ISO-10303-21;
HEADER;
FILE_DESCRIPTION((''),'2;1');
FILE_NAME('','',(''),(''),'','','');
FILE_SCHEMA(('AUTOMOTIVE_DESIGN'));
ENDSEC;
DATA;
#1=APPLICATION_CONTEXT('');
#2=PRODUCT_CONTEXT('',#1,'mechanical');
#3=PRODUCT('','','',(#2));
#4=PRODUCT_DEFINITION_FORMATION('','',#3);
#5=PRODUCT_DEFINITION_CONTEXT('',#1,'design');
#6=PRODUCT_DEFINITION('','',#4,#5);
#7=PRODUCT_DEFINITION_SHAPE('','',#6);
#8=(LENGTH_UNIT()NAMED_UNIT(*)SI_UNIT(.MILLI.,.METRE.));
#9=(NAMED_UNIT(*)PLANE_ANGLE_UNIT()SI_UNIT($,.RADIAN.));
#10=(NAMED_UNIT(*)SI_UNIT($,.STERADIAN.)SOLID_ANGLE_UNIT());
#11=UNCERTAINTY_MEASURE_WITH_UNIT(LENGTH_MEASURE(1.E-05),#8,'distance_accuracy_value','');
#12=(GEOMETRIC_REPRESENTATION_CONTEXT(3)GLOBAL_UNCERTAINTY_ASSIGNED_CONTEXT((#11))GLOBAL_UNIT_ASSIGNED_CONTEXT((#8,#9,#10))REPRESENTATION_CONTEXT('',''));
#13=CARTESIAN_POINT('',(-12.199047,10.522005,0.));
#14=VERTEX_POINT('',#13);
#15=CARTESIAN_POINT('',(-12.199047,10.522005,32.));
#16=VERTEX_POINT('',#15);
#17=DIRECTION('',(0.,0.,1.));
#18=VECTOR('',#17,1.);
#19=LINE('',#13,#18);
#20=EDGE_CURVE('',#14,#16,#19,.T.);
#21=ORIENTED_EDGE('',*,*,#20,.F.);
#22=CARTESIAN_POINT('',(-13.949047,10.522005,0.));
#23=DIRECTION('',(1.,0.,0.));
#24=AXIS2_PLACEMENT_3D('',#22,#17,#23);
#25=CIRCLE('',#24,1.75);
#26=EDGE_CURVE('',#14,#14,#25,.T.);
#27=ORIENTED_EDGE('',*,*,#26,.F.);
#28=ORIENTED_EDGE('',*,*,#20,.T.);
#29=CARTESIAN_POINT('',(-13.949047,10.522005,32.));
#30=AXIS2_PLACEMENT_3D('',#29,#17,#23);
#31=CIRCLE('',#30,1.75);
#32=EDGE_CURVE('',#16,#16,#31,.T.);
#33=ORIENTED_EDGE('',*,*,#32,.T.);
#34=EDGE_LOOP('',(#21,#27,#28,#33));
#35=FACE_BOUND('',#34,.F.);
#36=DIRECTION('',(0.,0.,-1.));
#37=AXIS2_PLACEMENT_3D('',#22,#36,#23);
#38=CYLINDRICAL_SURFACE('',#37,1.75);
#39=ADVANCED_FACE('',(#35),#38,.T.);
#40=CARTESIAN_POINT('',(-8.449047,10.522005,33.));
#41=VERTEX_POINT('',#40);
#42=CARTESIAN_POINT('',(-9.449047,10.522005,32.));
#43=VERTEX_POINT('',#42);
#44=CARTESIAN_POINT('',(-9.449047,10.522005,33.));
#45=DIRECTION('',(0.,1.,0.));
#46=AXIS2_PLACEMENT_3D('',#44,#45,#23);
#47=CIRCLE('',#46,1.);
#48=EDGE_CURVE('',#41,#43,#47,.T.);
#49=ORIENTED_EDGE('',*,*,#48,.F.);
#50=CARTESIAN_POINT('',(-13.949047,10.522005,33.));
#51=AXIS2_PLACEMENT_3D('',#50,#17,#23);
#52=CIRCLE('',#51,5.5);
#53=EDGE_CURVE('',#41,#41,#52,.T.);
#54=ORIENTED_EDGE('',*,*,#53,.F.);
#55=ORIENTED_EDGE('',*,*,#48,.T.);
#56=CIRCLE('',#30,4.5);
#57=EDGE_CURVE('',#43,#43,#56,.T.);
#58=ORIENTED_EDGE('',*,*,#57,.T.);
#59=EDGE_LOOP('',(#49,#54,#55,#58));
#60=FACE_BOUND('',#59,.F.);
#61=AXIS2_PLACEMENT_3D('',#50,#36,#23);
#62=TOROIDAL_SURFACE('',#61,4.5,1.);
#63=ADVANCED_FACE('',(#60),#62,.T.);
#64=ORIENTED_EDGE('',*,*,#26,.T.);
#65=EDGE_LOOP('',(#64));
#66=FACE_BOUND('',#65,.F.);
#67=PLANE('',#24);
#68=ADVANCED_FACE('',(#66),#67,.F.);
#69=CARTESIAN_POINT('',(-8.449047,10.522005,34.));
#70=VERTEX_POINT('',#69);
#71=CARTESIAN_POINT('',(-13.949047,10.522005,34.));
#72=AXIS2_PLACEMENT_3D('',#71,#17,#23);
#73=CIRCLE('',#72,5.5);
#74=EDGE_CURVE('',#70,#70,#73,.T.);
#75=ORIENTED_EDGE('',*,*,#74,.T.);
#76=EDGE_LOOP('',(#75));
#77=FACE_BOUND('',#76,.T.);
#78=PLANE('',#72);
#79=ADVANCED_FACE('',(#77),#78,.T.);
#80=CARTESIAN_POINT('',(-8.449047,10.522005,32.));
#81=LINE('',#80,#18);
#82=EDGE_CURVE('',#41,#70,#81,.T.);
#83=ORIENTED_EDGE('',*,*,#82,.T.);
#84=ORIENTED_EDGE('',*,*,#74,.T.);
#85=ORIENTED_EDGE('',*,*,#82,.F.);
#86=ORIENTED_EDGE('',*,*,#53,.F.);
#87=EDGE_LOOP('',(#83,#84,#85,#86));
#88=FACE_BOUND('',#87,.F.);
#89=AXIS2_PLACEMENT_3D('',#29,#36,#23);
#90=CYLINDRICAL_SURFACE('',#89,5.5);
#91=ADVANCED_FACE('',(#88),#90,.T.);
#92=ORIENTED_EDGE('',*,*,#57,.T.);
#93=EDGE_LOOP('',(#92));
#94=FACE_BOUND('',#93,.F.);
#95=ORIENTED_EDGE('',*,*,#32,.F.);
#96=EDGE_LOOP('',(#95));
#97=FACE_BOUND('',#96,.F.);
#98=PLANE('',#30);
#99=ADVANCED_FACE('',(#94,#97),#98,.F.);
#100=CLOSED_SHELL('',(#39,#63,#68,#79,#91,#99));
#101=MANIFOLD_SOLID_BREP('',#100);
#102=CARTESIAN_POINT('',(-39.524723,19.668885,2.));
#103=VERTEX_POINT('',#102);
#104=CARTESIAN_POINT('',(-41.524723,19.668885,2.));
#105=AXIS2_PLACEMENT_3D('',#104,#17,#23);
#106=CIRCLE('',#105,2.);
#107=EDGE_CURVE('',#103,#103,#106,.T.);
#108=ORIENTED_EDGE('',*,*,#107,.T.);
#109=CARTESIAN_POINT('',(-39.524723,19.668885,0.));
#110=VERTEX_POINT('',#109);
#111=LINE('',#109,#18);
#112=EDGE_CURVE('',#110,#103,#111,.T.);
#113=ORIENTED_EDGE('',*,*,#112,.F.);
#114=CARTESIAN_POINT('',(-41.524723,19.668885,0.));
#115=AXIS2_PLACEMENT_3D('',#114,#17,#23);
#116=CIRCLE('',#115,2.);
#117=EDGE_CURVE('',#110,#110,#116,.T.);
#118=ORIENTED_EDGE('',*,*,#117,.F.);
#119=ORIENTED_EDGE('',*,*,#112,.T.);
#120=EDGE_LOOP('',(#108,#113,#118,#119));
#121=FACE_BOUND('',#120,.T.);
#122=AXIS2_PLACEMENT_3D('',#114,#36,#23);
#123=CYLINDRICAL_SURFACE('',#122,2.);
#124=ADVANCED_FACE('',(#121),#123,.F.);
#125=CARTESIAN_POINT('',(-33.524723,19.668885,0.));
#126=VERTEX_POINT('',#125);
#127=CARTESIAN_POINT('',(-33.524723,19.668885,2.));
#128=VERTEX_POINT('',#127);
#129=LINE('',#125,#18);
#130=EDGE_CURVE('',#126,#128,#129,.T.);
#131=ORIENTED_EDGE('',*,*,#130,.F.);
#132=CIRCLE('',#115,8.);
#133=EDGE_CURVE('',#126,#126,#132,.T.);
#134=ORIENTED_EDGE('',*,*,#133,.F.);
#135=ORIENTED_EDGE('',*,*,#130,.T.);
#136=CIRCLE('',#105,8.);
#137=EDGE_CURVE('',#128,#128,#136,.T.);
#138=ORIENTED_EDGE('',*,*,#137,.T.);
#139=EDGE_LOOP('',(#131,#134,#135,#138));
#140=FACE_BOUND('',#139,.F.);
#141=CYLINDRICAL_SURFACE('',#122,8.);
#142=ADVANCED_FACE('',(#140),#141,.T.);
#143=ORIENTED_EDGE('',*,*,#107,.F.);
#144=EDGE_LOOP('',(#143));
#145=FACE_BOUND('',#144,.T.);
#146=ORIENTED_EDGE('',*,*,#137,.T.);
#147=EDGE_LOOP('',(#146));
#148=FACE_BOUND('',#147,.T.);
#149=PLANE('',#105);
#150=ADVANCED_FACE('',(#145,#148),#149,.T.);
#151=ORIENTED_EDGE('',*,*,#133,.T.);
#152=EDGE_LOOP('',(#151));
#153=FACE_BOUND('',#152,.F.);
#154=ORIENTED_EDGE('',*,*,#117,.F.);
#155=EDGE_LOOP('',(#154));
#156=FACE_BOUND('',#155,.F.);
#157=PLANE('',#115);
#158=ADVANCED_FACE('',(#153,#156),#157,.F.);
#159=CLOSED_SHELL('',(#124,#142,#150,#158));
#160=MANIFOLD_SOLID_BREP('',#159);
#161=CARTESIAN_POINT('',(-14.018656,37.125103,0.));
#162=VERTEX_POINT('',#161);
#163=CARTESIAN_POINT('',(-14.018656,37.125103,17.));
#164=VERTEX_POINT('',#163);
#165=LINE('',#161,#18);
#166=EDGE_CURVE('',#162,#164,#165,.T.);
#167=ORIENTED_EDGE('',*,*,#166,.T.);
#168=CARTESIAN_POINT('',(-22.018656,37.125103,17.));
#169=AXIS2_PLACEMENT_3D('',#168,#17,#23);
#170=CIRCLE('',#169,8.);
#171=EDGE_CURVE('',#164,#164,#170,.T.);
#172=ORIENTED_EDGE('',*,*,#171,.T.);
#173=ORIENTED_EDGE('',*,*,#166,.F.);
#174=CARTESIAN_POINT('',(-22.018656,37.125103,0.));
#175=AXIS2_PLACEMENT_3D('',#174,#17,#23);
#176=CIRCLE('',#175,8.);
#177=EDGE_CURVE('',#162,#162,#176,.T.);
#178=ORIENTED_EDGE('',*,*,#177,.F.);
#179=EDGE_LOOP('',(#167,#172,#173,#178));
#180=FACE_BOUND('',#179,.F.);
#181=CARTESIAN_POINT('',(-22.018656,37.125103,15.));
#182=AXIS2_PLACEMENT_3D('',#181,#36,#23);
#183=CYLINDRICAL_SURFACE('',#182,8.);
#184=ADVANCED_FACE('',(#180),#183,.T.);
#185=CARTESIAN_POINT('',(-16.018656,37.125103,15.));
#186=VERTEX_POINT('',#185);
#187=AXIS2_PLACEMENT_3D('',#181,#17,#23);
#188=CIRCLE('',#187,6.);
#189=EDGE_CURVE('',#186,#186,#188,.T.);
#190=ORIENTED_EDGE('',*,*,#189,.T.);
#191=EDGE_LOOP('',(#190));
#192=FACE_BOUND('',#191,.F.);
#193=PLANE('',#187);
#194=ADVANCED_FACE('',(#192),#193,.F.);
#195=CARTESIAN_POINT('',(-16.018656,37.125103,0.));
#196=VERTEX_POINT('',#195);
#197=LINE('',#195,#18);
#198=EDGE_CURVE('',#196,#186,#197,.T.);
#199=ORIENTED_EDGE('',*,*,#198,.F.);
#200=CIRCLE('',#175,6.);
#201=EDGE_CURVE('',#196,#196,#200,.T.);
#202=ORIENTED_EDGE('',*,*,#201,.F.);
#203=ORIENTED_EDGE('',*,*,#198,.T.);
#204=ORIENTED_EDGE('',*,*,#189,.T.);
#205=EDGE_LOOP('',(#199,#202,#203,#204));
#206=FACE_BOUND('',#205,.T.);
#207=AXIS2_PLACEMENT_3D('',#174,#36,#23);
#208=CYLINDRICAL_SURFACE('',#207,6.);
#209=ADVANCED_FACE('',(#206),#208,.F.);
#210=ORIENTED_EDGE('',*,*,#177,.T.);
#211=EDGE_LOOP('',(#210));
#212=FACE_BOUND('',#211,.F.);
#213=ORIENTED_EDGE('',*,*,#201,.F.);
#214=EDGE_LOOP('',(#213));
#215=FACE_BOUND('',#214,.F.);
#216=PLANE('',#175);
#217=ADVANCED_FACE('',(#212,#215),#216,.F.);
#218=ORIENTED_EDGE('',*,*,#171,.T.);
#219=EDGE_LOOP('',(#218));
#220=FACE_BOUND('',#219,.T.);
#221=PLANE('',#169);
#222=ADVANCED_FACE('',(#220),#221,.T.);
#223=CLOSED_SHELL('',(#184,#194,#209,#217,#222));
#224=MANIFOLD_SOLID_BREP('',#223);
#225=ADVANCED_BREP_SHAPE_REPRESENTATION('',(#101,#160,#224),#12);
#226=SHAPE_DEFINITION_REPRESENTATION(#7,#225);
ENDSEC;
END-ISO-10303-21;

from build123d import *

# Parameters (mm, degrees)
F0_R     = 8
F0_R_2   = 2
F1_DEPTH = 2
F2_R     = 8
F2_R_2   = 6
F3_DEPTH = 15
F4_R     = 8
F5_DEPTH = 2
F6_R     = 1.75
F7_DEPTH = 32
F8_R     = 5.5
F9_DEPTH = 2
F10_R    = 1


with BuildPart() as f1:
    # F0 (on Top) → F1 (new body)
    with BuildSketch(Plane.XY):
        with Locations((-41.524723, 19.668885)):
            Circle(F0_R)
        with Locations((-41.524723, 19.668885)):
            Circle(F0_R_2, mode=Mode.SUBTRACT)
    extrude(amount=F1_DEPTH)


with BuildPart() as f3:
    # F2 (on Top) → F3 (new body)
    with BuildSketch(Plane.XY):
        with Locations((-22.018656, 37.125103)):
            Circle(F2_R)
        with Locations((-22.018656, 37.125103)):
            Circle(F2_R_2, mode=Mode.SUBTRACT)
    extrude(amount=F3_DEPTH)

    # F4 (on face) → F5 (join)
    with BuildSketch(Plane.XY.offset(15)):
        with Locations((-22.018656, 37.125103)):
            Circle(F4_R)
    extrude(amount=F5_DEPTH)


with BuildPart() as f7:
    # F6 (on Top) → F7 (new body)
    with BuildSketch(Plane.XY):
        with Locations((-13.949047, 10.522005)):
            Circle(F6_R)
    extrude(amount=F7_DEPTH)

    # F8 (on face) → F9 (join)
    with BuildSketch(Plane.XY.offset(32)):
        with Locations((-13.949047, 10.522005)):
            Circle(F8_R)
    extrude(amount=F9_DEPTH)

    # F10
    f10_edges = [f7.edges().sort_by_distance(p)[0] for p in [
        (-19.449047, 10.522005, 32),
    ]]
    fillet(f10_edges, radius=F10_R)


solid = Compound([f1.part, f3.part, f7.part])
